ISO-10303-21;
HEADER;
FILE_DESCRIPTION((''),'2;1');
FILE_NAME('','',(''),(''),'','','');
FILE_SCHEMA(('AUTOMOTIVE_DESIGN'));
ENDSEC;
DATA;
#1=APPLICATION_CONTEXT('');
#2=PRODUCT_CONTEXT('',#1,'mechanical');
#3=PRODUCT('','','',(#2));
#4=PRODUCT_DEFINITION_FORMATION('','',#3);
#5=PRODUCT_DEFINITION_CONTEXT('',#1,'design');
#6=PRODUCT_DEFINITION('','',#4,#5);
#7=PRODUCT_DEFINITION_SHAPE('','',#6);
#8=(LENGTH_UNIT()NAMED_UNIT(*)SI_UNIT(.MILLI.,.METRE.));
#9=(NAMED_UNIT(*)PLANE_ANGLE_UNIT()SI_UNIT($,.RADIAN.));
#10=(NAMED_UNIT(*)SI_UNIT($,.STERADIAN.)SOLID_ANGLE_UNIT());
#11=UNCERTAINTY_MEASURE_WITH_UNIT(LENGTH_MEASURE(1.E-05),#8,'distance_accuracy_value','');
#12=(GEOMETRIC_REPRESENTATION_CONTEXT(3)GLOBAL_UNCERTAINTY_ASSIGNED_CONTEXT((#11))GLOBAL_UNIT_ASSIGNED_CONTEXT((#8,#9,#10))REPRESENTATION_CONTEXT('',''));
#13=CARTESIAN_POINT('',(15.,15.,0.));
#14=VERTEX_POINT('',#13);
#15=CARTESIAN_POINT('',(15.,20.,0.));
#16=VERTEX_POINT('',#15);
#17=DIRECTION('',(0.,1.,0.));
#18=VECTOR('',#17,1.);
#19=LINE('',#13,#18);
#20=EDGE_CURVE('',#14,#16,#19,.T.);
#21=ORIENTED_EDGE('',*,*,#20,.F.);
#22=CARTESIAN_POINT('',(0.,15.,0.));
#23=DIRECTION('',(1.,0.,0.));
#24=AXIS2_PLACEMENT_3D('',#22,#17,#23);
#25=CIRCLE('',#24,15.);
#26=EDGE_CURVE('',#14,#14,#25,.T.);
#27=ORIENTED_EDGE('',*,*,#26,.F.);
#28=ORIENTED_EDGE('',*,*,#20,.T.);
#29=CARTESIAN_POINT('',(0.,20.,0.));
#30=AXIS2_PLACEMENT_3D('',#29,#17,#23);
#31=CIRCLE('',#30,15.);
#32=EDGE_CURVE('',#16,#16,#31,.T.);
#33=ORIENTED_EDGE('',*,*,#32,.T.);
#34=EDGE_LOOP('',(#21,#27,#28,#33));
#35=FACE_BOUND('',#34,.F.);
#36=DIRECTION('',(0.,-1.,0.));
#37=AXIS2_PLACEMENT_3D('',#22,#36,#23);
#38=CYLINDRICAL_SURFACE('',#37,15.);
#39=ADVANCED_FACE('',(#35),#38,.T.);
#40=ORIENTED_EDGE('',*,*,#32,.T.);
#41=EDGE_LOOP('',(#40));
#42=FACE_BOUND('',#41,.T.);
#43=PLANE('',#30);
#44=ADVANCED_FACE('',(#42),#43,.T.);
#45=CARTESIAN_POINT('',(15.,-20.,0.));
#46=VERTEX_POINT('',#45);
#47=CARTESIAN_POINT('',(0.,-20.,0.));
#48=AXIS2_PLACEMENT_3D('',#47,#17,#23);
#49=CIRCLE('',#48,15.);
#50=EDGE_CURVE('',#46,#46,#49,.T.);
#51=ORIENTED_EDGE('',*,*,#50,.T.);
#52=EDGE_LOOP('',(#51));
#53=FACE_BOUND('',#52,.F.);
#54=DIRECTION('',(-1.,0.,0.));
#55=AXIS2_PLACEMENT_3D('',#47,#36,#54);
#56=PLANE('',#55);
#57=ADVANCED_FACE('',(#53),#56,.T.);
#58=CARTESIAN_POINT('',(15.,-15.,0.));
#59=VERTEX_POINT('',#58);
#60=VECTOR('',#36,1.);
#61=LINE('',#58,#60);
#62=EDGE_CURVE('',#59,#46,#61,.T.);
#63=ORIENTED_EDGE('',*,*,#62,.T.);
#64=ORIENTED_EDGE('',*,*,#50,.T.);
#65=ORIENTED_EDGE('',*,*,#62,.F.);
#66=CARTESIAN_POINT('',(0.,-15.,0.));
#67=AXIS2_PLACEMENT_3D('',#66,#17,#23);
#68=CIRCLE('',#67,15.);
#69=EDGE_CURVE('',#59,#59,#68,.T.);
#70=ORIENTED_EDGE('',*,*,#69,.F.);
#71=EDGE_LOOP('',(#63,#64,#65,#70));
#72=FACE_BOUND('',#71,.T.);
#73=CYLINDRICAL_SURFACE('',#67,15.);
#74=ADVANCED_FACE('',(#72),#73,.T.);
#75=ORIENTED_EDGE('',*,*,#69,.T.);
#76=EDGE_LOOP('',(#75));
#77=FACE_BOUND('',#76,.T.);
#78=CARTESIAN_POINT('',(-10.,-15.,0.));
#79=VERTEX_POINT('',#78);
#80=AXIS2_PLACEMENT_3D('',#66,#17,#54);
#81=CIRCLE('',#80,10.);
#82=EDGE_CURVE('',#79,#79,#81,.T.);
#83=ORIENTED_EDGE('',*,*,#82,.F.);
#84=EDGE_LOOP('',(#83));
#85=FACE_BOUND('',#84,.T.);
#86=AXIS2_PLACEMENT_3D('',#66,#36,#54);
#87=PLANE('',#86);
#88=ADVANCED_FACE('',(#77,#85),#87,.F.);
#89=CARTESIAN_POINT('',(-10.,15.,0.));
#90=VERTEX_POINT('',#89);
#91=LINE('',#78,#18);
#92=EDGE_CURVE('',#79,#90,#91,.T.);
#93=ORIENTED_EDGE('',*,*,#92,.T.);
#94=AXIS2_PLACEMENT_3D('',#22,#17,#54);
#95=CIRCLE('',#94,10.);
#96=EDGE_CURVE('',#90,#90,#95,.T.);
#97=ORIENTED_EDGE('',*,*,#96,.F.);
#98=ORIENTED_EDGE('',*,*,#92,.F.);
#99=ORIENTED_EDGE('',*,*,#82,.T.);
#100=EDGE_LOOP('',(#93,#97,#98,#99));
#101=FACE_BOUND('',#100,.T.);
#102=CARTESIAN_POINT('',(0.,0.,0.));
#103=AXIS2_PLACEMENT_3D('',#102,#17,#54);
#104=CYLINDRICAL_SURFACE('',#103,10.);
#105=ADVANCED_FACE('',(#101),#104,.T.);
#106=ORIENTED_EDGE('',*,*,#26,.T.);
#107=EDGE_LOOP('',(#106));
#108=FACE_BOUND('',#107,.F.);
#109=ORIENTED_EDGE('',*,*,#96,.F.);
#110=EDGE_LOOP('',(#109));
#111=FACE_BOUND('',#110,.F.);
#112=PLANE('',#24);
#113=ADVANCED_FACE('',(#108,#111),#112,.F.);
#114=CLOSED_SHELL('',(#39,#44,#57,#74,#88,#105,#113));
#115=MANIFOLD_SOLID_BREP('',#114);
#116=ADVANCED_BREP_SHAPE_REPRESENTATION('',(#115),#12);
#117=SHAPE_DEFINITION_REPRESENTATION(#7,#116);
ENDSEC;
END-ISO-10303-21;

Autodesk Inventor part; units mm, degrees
ref_plane "YZ Plane" through (0, 0, 0) normal (1, 0, 0) x (0, 1, 0)
ref_plane "XZ Plane" through (0, 0, 0) normal (0, 1, 0) x (-1, 0, 0)
ref_plane "XY Plane" through (0, 0, 0) normal (0, 0, 1) x (1, 0, 0)
sketch "Szkic1" plane through (0, 0, 0) normal (0, 1, 0) x (-1, 0, 0)
  circle A0 centre (0, 0) radius 10
  dimension "d0" = 20
extrude "Wyciągnięcie proste1" add sketch "Szkic1" along normal mid plane 30
sketch "Szkic2" plane through (0, 15, 0) normal (0, 1, 0) x (1, 0, 0)
  circle A0 centre (0, 0) radius 10 projected
  circle A1 centre (0, 0) radius 15
  dimension "d3" = 30
extrude "Wyciągnięcie proste2" add sketch "Szkic2" along normal blind 5 contours A0 | A1
mirror "Odbicie lustrzane1" about plane through (0, 0, 0) normal (0, 1, 0) of "Wyciągnięcie proste2"
properties part number "RevolvingConnector2" material "Aluminium 6061"
